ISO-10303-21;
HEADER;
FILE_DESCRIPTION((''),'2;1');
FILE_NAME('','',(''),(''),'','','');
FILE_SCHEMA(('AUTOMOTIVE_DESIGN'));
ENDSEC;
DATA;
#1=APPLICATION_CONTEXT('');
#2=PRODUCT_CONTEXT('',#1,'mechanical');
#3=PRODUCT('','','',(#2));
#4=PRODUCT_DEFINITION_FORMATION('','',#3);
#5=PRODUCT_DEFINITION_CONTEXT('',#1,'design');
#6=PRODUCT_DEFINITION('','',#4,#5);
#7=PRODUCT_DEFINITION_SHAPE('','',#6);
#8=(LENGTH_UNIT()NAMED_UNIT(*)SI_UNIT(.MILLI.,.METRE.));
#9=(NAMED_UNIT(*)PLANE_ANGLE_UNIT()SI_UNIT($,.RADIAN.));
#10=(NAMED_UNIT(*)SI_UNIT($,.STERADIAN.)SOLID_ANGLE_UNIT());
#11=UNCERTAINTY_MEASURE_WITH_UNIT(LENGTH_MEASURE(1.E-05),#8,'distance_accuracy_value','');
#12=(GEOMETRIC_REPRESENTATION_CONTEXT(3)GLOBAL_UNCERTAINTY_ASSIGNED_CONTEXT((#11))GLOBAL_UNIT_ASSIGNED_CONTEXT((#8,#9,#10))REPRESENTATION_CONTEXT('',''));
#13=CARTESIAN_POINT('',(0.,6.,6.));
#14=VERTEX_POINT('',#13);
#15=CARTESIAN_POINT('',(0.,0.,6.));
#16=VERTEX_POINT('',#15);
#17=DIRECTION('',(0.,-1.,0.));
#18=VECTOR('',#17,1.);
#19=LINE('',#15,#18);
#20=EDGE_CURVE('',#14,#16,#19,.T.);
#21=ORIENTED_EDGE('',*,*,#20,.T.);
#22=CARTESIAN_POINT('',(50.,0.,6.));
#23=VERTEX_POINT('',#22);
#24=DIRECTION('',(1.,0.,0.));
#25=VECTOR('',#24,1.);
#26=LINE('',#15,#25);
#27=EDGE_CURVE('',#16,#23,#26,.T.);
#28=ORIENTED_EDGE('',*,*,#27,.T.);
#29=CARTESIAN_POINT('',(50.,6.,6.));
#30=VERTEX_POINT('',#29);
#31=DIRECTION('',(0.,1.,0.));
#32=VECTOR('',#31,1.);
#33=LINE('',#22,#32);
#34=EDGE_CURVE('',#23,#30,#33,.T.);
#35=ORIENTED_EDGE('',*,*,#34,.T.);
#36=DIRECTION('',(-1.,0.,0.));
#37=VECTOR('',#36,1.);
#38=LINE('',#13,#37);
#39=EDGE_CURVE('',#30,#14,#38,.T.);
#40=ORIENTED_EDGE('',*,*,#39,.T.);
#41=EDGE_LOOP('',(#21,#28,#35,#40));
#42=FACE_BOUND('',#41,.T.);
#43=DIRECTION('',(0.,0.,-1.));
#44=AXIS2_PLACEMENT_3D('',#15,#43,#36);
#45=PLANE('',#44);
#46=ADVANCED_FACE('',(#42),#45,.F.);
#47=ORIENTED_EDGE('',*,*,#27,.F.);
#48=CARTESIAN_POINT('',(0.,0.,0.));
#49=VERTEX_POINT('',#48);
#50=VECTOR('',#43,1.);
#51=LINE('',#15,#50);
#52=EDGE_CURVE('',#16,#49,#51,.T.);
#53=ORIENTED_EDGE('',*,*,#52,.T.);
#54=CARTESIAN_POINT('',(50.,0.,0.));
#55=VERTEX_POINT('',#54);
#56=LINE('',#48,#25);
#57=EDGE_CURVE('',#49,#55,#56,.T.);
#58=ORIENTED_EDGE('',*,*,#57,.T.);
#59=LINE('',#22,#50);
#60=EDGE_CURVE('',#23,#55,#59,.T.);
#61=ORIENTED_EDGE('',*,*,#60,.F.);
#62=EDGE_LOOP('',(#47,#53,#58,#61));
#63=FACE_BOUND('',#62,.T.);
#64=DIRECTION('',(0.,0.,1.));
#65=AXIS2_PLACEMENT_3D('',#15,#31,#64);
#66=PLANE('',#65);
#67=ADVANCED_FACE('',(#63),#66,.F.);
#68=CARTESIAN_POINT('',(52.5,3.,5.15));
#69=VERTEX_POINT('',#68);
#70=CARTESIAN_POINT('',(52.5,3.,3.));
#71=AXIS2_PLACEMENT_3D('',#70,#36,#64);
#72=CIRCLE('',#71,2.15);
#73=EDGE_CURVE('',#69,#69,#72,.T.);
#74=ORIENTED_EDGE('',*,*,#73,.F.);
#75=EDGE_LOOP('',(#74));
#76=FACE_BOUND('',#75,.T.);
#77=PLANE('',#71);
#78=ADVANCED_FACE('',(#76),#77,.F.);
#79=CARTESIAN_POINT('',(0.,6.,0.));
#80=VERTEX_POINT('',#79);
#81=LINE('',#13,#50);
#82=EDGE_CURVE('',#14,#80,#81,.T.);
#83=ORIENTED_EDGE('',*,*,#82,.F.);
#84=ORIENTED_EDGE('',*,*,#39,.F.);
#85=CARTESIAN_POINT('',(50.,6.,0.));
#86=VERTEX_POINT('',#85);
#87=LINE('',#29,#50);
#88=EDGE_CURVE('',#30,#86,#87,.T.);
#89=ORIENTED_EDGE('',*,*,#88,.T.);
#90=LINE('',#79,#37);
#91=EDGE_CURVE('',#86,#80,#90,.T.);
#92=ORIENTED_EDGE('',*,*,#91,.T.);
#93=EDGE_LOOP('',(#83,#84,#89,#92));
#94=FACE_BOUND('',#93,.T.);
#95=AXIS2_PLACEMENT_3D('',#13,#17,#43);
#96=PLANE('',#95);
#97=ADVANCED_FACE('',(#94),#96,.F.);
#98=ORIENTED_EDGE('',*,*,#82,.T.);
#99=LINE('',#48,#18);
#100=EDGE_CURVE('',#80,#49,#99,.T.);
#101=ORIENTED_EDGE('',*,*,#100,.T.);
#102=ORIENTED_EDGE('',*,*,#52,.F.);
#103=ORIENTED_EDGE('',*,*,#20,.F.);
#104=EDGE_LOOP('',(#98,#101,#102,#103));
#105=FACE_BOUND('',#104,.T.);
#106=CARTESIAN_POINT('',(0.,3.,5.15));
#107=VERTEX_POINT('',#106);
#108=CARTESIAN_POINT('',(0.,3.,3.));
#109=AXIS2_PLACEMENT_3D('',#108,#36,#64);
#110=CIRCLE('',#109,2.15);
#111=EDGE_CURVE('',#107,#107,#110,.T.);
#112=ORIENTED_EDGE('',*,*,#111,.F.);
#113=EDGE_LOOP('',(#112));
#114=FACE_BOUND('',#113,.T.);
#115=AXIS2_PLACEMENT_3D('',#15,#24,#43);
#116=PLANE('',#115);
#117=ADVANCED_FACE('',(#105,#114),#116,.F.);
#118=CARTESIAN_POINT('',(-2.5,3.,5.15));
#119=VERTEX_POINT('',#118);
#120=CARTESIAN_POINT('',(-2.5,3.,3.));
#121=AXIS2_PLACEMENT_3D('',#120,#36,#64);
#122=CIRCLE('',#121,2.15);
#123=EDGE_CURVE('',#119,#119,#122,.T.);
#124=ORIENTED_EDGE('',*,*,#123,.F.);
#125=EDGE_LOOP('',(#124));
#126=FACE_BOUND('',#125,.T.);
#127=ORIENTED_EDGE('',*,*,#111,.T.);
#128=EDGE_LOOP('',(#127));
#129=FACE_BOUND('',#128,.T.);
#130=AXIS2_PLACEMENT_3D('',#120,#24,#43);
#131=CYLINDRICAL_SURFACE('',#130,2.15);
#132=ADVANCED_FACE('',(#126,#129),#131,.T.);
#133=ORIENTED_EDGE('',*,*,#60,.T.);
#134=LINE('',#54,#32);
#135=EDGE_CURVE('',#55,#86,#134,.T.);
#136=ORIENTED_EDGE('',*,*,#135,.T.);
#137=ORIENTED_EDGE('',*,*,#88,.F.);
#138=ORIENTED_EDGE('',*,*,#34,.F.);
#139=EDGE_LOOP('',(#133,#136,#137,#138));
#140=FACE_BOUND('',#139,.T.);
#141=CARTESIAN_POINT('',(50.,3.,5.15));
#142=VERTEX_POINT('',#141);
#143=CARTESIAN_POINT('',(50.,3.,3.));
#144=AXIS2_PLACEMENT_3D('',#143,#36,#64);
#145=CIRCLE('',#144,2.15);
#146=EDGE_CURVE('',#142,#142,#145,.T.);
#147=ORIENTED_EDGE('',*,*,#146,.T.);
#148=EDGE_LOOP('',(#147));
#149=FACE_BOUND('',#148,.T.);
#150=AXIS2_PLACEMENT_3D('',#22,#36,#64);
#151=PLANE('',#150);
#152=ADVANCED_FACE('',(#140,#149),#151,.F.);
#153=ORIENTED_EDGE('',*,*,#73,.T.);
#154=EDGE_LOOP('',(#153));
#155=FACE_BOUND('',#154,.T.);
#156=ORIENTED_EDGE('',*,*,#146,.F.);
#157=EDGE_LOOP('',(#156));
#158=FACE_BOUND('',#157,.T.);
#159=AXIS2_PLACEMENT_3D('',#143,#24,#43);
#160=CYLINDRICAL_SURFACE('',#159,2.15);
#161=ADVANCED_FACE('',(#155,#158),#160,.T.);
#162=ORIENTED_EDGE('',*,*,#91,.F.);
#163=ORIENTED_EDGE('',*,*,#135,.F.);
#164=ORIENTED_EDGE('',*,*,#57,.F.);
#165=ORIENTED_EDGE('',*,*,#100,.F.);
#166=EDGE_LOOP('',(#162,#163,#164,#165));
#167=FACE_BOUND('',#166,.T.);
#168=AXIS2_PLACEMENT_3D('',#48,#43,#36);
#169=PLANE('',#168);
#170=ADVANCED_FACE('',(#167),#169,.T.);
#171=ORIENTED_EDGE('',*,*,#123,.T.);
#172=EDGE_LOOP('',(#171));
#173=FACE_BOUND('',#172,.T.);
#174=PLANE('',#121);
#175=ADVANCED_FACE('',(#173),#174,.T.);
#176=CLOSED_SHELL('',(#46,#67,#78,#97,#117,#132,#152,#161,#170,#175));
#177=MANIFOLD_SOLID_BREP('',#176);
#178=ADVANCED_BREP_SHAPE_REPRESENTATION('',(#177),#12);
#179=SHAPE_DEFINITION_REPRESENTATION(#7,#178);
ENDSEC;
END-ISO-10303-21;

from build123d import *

# Parameters (mm, degrees)
SKETCH_1_W             = 50
SKETCH_1_H             = 6
EXTRUDE_1_DEPTH        = 6
SKETCH_2_R             = 2.15
EXTRUDE_2_DEPTH        = 2.5
PATTERN_LINEAR_1_COUNT = 2
PATTERN_LINEAR_1_PITCH = 52.5


with BuildPart() as part:
    # 草圖1 → 填料-伸長1 (new body)
    with BuildSketch(Plane.XY):
        with Locations((25, 3)):
            Rectangle(SKETCH_1_W, SKETCH_1_H)
    extrude(amount=EXTRUDE_1_DEPTH)

    # 草圖2 → 填料-伸長2 (add)
    with BuildSketch(Plane.ZY):
        with Locations((3, 3)):
            Circle(SKETCH_2_R)
    extrude_2 = extrude(amount=EXTRUDE_2_DEPTH)

    # 直線複製排列1: 填料-伸長2 ×2
    with Locations(*[(i * PATTERN_LINEAR_1_PITCH, 0, 0) for i in range(1, PATTERN_LINEAR_1_COUNT)]):
        add(extrude_2)


solid = part.part
